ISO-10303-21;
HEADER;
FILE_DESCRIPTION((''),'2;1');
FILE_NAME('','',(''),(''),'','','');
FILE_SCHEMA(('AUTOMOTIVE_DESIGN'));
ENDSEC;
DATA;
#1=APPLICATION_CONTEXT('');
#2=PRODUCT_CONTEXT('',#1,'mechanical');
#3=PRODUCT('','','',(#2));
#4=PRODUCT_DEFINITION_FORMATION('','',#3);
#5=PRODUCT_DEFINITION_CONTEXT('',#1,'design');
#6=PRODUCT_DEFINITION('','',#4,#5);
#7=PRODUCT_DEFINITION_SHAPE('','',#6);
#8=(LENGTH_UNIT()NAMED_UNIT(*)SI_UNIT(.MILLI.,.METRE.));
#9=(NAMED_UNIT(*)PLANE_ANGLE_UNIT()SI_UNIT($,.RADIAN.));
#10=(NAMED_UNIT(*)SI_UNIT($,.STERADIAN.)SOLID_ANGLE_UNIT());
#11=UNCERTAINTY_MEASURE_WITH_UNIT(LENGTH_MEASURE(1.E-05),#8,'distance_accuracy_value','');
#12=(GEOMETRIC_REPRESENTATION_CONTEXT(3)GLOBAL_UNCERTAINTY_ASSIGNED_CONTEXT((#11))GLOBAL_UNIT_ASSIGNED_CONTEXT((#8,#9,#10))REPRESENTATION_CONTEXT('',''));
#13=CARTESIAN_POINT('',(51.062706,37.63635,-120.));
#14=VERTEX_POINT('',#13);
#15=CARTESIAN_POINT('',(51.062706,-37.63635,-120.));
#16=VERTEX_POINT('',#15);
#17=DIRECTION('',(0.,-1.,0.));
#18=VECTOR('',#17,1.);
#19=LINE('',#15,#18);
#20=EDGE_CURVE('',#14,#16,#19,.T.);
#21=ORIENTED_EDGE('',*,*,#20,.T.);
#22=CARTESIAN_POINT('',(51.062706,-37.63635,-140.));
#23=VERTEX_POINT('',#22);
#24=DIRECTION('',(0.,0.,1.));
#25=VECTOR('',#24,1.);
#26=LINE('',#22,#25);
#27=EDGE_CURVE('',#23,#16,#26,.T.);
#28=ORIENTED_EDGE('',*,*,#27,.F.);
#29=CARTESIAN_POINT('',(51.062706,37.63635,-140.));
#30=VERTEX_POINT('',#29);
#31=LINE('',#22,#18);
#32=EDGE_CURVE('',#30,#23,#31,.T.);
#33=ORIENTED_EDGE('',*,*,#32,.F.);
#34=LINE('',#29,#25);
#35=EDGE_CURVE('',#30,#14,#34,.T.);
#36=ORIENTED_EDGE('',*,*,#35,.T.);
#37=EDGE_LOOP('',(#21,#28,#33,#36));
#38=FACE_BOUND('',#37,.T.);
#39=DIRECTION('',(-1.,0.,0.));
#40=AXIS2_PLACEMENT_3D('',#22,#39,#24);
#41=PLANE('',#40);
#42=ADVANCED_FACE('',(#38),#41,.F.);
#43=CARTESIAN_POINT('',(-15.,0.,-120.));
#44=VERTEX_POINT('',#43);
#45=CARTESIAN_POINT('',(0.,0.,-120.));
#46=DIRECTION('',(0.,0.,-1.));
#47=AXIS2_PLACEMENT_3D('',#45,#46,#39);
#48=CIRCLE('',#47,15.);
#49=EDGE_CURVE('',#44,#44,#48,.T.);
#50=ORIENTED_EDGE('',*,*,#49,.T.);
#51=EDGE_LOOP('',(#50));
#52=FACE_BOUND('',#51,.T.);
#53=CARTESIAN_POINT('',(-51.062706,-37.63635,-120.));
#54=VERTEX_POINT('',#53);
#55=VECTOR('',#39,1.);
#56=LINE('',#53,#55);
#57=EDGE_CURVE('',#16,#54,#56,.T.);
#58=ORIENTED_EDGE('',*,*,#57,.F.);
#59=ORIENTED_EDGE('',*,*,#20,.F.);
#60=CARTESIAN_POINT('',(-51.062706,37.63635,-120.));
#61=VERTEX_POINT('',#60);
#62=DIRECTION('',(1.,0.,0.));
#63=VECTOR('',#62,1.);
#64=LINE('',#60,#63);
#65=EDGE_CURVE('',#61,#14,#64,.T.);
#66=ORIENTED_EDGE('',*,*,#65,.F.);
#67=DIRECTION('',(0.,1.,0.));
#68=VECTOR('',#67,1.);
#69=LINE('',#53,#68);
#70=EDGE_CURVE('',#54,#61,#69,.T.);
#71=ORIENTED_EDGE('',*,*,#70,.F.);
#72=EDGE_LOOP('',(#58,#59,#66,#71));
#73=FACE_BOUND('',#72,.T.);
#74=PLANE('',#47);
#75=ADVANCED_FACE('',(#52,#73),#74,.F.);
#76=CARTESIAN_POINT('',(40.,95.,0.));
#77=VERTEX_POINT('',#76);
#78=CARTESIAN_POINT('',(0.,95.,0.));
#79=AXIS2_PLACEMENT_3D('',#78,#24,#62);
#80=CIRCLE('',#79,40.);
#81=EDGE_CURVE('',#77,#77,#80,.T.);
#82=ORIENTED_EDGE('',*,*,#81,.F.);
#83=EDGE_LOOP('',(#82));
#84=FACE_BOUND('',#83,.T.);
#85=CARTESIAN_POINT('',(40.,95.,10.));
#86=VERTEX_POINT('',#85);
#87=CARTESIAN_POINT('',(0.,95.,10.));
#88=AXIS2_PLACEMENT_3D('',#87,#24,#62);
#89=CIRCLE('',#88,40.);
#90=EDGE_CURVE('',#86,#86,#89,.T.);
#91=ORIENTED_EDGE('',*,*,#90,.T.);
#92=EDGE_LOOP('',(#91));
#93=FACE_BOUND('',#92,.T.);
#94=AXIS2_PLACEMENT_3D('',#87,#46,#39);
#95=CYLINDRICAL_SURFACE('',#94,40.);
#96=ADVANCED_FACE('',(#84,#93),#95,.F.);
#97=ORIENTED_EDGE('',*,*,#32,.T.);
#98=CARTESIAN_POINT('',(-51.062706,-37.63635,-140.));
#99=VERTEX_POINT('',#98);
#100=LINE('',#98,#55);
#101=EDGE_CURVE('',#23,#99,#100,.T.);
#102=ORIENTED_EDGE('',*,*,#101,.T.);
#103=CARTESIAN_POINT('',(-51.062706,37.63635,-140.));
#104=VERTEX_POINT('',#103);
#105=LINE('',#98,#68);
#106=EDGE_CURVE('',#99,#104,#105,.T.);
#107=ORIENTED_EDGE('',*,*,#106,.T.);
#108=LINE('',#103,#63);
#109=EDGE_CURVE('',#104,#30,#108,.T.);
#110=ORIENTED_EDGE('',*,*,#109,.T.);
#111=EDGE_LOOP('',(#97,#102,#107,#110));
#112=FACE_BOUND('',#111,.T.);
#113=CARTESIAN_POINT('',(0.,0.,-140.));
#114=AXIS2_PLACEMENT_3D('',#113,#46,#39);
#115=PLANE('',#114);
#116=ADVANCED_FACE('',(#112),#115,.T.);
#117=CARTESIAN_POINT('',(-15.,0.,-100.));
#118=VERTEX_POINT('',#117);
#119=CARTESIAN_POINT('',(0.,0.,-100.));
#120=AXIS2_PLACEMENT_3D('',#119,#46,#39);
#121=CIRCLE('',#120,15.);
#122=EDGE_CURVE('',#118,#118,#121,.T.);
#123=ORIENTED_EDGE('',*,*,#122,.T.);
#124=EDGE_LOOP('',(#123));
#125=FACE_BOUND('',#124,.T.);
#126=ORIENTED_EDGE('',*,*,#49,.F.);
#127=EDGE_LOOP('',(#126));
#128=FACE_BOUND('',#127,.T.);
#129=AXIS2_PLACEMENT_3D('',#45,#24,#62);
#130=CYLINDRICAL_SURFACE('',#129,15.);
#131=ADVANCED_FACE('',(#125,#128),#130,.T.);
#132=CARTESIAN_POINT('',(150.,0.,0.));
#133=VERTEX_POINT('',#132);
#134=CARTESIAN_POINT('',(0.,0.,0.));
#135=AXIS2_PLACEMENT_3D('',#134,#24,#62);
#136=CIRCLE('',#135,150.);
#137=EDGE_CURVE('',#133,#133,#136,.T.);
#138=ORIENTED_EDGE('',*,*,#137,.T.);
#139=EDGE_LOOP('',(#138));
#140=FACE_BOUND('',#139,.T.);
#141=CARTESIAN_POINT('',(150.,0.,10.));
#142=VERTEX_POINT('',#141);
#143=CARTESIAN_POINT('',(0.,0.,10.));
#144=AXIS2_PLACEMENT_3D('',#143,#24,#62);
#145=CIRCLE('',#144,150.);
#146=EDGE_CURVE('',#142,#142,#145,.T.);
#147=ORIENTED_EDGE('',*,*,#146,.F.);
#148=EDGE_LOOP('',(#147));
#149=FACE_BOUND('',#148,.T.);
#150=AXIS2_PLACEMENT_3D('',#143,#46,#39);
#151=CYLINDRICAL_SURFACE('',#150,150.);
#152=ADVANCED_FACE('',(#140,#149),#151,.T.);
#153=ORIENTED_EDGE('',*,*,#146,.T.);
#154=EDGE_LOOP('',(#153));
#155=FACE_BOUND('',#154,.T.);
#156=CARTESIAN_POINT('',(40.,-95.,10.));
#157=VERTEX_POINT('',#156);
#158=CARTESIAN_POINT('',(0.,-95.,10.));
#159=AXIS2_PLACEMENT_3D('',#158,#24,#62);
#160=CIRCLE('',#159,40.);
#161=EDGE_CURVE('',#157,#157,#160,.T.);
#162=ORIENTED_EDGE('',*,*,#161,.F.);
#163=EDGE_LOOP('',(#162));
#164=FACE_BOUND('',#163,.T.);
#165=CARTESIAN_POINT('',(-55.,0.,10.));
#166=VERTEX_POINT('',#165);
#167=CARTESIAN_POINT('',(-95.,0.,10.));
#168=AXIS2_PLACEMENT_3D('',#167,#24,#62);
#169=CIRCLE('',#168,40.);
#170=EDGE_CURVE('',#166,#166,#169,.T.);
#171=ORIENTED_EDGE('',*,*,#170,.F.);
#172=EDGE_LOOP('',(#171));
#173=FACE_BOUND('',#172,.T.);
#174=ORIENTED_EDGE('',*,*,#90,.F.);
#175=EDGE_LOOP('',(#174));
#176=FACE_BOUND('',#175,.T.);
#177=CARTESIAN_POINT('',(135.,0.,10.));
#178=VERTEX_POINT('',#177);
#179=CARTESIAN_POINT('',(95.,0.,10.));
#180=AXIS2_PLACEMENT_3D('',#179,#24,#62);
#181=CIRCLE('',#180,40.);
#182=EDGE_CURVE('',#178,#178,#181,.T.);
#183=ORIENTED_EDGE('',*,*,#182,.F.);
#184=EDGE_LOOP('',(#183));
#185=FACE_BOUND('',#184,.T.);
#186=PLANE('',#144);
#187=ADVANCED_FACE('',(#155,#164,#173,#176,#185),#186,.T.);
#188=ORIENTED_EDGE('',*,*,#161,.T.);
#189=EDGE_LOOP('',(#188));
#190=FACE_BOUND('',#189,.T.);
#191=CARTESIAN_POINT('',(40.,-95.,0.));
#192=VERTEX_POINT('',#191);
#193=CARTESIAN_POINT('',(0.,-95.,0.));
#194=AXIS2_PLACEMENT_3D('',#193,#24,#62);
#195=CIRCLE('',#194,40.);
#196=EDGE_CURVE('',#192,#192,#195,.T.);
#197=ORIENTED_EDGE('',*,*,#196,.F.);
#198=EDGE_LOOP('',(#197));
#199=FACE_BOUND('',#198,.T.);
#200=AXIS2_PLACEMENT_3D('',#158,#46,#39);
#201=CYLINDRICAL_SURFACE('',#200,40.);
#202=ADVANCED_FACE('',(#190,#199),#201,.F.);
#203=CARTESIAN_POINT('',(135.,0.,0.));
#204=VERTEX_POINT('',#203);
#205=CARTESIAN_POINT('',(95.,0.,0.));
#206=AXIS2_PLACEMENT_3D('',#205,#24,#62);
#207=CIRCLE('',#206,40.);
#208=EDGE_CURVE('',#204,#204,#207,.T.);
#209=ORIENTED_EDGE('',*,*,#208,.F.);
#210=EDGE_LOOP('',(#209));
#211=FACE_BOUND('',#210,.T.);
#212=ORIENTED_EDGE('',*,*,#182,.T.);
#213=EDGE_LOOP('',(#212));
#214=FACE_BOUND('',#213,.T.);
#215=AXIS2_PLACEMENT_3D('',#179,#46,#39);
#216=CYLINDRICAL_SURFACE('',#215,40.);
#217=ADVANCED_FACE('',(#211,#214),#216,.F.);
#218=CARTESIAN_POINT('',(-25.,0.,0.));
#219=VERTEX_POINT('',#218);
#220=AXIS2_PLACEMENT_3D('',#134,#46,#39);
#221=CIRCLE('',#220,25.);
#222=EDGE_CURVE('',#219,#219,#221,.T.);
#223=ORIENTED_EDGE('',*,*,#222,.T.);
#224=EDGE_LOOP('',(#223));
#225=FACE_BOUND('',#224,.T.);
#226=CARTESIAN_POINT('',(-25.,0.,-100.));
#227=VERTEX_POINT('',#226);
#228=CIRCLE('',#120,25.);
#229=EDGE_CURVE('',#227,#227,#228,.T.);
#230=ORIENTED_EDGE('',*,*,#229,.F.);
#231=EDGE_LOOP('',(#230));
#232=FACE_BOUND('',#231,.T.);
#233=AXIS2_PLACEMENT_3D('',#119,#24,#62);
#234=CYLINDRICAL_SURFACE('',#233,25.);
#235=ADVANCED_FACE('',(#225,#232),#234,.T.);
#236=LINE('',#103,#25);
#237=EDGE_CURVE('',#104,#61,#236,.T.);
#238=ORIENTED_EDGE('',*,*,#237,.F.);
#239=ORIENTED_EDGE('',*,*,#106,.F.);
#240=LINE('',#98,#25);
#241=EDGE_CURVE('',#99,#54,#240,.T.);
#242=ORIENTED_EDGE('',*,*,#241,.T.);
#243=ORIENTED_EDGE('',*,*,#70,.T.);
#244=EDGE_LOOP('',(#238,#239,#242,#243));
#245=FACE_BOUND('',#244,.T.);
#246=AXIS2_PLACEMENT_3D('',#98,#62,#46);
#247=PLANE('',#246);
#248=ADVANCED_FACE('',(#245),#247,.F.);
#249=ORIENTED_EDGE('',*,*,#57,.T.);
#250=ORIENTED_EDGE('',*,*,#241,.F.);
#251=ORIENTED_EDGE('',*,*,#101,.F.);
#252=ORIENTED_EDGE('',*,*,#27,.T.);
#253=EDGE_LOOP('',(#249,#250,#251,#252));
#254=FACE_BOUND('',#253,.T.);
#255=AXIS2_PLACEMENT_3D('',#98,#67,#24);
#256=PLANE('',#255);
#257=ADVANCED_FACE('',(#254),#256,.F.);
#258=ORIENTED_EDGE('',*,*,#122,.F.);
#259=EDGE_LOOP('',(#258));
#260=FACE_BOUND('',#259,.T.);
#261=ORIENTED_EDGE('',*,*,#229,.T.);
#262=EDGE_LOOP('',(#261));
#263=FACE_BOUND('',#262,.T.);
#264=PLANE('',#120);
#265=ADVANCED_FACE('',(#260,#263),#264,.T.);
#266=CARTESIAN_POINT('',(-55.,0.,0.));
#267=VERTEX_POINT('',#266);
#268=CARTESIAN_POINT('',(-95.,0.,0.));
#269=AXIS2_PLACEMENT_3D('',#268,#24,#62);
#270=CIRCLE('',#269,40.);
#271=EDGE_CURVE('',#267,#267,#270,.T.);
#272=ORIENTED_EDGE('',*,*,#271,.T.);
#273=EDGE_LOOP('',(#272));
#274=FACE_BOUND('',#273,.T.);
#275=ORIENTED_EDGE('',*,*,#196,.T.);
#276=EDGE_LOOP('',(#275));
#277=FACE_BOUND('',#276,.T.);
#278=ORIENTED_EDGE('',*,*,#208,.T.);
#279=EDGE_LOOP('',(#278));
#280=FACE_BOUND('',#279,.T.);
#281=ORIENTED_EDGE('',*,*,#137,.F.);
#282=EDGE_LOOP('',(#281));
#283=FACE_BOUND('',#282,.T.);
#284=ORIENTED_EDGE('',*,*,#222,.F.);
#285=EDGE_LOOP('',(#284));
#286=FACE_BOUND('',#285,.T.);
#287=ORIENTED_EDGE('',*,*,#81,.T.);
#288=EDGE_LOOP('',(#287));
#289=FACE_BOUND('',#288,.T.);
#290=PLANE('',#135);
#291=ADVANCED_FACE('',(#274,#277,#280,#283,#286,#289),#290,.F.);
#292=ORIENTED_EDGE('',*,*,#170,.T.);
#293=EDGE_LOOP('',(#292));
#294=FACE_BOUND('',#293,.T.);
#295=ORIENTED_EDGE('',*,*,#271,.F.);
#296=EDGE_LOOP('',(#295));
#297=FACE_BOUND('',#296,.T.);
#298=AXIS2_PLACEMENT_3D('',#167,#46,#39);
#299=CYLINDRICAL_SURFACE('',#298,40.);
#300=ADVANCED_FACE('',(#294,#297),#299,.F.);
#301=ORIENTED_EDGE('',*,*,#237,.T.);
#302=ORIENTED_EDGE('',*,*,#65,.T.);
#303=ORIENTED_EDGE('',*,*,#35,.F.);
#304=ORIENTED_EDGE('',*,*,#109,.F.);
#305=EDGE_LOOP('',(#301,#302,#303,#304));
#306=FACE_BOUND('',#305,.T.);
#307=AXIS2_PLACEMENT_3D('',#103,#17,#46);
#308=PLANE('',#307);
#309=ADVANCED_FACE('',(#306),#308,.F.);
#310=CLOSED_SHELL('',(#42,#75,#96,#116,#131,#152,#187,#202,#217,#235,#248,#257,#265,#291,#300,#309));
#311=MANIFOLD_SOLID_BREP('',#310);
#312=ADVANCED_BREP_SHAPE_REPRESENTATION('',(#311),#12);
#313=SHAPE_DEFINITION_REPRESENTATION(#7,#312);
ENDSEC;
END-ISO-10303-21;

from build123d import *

# Parameters (mm, degrees)
SKETCH1_R           = 150
SKETCH1_R_2         = 40
BOSS_EXTRUDE1_DEPTH = 10
SKETCH2_R           = 25
BOSS_EXTRUDE2_DEPTH = 100
SKETCH3_R           = 15
BOSS_EXTRUDE3_DEPTH = 20
SKETCH4_W           = 102.125411964
SKETCH4_H           = 75.272699472
BOSS_EXTRUDE4_DEPTH = 20


with BuildPart() as part:
    # Sketch1 → Boss-Extrude1 (new body)
    with BuildSketch(Plane.XY):
        Circle(SKETCH1_R)
        with Locations((0, 95)):
            Circle(SKETCH1_R_2, mode=Mode.SUBTRACT)
        with Locations((95, 0)):
            Circle(SKETCH1_R_2, mode=Mode.SUBTRACT)
        with Locations((0, -95)):
            Circle(SKETCH1_R_2, mode=Mode.SUBTRACT)
        with Locations((-95, 0)):
            Circle(SKETCH1_R_2, mode=Mode.SUBTRACT)
    extrude(amount=BOSS_EXTRUDE1_DEPTH)

    # Sketch2 → Boss-Extrude2 (add)
    with BuildSketch(Plane(origin=(0, 0, 0), x_dir=(-1, 0, 0), z_dir=(0, 0, -1))):
        Circle(SKETCH2_R)
    extrude(amount=BOSS_EXTRUDE2_DEPTH)

    # Sketch3 → Boss-Extrude3 (add)
    with BuildSketch(Plane(origin=(0, 0, -100), x_dir=(-1, 0, 0), z_dir=(0, 0, -1))):
        Circle(SKETCH3_R)
    extrude(amount=BOSS_EXTRUDE3_DEPTH)

    # Sketch4 → Boss-Extrude4 (add)
    with BuildSketch(Plane(origin=(0, 0, -120), x_dir=(-1, 0, 0), z_dir=(0, 0, -1))):
        Rectangle(SKETCH4_W, SKETCH4_H)
    extrude(amount=BOSS_EXTRUDE4_DEPTH)


solid = part.part
